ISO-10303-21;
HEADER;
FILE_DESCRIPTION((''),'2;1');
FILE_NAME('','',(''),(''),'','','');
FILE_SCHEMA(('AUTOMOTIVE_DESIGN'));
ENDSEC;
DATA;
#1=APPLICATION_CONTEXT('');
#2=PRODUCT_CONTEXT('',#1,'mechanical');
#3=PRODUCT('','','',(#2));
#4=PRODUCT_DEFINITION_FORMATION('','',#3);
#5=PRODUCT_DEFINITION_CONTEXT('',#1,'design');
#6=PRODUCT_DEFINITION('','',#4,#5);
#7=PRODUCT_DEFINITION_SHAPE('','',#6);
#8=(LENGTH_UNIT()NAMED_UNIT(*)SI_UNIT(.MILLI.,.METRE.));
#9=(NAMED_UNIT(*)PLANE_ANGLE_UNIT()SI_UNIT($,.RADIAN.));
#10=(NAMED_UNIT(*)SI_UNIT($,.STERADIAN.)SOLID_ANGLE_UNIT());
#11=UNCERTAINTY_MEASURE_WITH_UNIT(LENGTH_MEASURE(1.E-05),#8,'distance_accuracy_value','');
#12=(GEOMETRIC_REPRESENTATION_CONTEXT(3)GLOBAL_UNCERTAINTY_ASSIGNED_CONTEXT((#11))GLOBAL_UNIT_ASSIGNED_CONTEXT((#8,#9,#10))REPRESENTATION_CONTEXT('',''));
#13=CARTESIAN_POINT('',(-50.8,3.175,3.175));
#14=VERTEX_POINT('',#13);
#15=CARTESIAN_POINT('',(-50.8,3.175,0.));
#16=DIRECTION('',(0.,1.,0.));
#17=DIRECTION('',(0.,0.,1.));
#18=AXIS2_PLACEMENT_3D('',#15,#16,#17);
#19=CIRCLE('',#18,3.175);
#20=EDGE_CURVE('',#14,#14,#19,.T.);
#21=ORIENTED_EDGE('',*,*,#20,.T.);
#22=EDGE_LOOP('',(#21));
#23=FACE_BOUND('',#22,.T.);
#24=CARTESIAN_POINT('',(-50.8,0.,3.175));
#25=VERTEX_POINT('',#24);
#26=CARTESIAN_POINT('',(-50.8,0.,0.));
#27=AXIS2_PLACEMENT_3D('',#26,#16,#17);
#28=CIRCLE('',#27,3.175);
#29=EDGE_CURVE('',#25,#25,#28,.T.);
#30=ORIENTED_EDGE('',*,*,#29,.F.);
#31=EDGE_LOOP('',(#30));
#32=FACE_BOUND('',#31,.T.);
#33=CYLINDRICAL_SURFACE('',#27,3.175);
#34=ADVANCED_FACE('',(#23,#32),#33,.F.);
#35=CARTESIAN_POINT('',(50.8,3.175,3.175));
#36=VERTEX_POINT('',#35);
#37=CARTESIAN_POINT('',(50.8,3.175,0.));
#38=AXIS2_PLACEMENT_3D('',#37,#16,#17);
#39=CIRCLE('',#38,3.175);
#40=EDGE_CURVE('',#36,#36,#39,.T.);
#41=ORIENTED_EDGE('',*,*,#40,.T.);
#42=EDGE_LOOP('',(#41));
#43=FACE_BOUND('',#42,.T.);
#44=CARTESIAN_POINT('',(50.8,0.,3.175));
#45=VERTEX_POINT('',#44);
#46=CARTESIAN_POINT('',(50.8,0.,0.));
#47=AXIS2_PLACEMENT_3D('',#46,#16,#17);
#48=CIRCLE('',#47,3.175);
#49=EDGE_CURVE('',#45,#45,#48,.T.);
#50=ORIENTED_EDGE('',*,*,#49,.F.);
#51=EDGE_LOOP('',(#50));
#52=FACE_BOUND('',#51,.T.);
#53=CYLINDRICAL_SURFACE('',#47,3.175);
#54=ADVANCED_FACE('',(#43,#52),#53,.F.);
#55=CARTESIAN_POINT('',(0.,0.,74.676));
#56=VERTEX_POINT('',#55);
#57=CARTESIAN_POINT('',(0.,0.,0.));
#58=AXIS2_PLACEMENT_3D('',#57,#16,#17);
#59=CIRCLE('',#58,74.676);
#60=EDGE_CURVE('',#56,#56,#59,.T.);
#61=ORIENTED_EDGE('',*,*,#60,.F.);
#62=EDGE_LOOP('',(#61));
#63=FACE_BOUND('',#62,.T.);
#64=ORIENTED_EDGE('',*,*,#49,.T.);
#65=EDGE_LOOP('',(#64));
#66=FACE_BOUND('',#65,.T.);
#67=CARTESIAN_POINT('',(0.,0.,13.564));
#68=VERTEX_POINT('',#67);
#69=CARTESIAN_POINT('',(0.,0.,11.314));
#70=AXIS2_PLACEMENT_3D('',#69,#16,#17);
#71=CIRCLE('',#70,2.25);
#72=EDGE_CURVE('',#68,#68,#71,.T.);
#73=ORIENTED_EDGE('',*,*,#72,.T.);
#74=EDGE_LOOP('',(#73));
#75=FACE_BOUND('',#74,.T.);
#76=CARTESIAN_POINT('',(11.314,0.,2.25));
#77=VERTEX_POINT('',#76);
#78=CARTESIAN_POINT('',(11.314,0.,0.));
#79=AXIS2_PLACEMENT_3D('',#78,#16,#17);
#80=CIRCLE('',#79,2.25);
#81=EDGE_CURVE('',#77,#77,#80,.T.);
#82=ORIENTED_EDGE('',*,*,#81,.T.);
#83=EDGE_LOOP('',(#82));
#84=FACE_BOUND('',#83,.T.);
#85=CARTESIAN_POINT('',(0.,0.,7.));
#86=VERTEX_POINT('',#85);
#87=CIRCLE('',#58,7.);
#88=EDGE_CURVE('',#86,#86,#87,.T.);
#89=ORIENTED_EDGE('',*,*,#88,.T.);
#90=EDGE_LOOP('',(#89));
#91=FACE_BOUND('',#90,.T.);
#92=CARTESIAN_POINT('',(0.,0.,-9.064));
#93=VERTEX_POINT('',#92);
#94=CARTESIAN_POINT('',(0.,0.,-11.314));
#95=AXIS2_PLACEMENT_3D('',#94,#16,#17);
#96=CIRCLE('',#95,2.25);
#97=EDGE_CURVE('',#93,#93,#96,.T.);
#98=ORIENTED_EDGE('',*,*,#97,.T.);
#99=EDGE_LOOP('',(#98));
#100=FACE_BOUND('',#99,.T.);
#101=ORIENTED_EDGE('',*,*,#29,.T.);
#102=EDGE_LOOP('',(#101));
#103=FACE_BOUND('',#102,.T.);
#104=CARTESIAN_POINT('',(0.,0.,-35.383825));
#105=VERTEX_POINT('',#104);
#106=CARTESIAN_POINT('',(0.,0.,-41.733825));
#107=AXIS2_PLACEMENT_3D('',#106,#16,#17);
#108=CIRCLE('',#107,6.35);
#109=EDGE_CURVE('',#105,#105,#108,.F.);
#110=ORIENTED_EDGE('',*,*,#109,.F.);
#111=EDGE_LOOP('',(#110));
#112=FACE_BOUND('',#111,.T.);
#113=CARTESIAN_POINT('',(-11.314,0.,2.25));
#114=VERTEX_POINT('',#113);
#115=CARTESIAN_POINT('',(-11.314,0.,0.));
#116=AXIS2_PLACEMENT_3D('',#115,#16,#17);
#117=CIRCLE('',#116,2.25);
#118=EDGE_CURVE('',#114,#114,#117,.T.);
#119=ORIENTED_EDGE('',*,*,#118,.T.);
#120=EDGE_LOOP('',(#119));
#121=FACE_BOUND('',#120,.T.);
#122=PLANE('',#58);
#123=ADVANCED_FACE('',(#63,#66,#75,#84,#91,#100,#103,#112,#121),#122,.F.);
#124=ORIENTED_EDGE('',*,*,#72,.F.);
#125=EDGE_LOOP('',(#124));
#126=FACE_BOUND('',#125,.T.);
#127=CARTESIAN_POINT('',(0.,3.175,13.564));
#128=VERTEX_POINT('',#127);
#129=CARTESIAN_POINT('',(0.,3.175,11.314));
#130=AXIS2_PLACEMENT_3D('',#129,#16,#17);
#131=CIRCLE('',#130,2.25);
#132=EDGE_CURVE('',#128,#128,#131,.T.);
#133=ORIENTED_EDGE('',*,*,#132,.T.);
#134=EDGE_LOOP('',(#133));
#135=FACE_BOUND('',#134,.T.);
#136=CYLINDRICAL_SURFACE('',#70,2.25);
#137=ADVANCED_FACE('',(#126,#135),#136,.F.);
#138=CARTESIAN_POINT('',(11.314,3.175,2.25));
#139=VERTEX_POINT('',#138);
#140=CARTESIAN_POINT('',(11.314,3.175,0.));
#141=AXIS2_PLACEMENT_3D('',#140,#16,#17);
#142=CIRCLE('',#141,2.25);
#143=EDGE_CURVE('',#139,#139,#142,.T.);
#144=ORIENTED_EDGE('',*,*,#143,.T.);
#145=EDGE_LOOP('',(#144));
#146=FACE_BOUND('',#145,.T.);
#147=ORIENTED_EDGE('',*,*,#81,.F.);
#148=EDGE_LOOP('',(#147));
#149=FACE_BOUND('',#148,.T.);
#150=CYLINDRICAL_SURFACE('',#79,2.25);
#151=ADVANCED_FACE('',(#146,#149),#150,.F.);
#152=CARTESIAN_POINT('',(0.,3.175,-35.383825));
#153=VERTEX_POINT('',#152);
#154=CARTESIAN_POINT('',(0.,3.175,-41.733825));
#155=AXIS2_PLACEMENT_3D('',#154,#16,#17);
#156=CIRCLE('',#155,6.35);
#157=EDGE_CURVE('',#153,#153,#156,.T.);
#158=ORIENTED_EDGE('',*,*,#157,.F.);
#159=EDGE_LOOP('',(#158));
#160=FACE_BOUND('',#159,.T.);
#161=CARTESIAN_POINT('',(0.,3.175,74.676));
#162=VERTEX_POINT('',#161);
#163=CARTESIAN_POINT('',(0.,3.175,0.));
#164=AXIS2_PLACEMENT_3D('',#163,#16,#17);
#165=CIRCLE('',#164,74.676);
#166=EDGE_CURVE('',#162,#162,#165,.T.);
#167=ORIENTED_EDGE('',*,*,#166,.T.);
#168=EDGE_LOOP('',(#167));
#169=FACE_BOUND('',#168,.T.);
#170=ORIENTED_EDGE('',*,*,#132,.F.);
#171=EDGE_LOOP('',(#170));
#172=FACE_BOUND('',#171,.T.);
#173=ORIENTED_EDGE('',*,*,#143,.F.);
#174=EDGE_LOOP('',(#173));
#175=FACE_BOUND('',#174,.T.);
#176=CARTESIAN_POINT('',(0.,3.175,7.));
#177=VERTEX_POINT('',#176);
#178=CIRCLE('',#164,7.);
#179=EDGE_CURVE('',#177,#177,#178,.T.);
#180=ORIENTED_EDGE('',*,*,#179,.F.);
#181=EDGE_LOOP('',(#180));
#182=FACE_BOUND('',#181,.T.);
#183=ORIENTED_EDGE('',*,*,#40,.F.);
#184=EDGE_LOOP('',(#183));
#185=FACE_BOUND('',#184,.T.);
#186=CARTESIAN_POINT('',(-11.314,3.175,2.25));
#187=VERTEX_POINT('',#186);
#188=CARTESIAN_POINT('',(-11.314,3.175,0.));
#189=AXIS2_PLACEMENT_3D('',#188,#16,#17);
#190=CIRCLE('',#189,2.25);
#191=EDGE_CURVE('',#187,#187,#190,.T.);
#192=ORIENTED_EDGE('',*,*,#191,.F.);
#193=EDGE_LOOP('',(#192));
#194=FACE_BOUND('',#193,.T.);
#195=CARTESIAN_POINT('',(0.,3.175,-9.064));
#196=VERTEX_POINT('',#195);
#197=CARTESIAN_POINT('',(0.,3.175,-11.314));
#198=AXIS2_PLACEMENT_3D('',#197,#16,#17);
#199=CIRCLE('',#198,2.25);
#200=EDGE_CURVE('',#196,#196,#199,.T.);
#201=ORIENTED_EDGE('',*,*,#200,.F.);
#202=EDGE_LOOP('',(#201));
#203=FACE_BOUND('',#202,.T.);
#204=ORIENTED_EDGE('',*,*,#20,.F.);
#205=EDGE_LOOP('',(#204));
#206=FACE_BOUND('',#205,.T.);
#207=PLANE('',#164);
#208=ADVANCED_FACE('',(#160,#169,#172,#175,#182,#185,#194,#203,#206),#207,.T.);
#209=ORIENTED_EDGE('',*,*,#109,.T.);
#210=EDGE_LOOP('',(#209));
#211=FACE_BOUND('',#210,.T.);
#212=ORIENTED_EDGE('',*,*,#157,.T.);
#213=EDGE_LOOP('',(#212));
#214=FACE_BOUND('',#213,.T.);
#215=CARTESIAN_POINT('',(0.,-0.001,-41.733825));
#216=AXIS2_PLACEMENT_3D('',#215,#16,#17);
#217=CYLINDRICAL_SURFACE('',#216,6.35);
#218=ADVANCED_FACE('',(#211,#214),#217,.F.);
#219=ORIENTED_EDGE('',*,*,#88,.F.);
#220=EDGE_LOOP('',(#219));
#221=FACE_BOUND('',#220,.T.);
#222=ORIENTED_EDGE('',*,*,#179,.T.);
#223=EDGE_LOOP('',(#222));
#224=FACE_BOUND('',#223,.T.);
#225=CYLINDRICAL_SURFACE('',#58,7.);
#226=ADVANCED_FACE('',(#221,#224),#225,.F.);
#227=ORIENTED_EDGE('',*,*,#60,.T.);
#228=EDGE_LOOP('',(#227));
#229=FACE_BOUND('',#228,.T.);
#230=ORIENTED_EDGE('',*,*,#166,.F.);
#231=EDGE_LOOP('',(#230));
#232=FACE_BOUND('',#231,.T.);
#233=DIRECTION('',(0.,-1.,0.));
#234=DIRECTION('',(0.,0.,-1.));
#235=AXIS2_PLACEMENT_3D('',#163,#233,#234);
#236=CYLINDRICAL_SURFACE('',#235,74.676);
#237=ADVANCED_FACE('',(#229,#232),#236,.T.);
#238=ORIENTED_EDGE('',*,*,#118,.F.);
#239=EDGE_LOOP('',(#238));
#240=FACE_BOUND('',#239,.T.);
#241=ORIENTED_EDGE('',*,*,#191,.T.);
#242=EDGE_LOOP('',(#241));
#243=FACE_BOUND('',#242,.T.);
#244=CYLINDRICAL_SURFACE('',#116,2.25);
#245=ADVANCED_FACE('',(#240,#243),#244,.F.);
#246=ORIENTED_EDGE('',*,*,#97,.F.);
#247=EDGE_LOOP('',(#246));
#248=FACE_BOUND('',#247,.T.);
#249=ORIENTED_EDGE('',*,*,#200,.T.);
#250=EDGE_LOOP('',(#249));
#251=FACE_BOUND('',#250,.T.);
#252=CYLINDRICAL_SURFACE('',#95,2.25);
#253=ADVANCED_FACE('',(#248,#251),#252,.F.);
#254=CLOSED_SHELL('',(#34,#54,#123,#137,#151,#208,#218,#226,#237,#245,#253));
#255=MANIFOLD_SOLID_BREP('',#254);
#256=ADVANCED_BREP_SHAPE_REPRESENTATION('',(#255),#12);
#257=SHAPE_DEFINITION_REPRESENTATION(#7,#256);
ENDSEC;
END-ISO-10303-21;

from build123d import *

# Parameters (mm, degrees)
SKETCH1_R           = 74.676
BOSS_EXTRUDE1_DEPTH = 3.175
SKETCH2_R           = 7
CUT_EXTRUDE1_DEPTH  = 106.655527906
SKETCH3_R           = 2.25
CUT_EXTRUDE2_DEPTH  = 106.655527906
SKETCH4_R           = 3.175
CUT_EXTRUDE3_DEPTH  = 106.655527906
CUT_EXTRUDE5_REACH  = 107.656
SKETCH6_R           = 6.35


with BuildPart() as part:
    # Sketch1 → Boss-Extrude1 (new body)
    with BuildSketch(Plane(origin=(0, 0, 0), x_dir=(1, 0, 0), z_dir=(0, 1, 0))):
        with Locations(Location((0, 0, 0), (0, 0, 270))):
            Circle(SKETCH1_R)
    extrude(amount=BOSS_EXTRUDE1_DEPTH)

    # Sketch2 → Cut-Extrude1 (cut, through all)
    with BuildSketch(Plane(origin=(0, 3.175, 0), x_dir=(1, 0, 0), z_dir=(0, 1, 0))):
        with Locations(Location((0, 0, 0), (0, 0, 270))):
            Circle(SKETCH2_R)
    extrude(amount=-CUT_EXTRUDE1_DEPTH, mode=Mode.SUBTRACT)

    # Sketch3 → Cut-Extrude2 (cut, through all)
    with BuildSketch(Plane(origin=(0, 3.175, 0), x_dir=(1, 0, 0), z_dir=(0, 1, 0))):
        with Locations(Location((11.314, 0, 0), (0, 0, 270))):
            Circle(SKETCH3_R)
        with Locations(Location((0, -11.314, 0), (0, 0, 270))):
            Circle(SKETCH3_R)
        with Locations(Location((-11.314, 0, 0), (0, 0, 270))):
            Circle(SKETCH3_R)
        with Locations(Location((0, 11.314, 0), (0, 0, 270))):
            Circle(SKETCH3_R)
    extrude(amount=-CUT_EXTRUDE2_DEPTH, mode=Mode.SUBTRACT)

    # Sketch4 → Cut-Extrude3 (cut, through all)
    with BuildSketch(Plane(origin=(0, 3.175, 0), x_dir=(1, 0, 0), z_dir=(0, 1, 0))):
        with Locations(Location((50.8, 0, 0), (0, 0, 270))):
            Circle(SKETCH4_R)
        with Locations(Location((-50.8, 0, 0), (0, 0, 270))):
            Circle(SKETCH4_R)
    extrude(amount=-CUT_EXTRUDE3_DEPTH, mode=Mode.SUBTRACT)

    # Sketch6 → Cut-Extrude5 (cut, up to next)
    with BuildSketch(Plane(origin=(0, 3.175, 0), x_dir=(1, 0, 0), z_dir=(0, 1, 0)), mode=Mode.PRIVATE) as cut_extrude5_sk1:
        with Locations(Location((0, 41.73382544, 0), (0, 0, 270))):
            Circle(SKETCH6_R)
    cut_extrude5_tool1 = extrude(cut_extrude5_sk1.sketch, amount=-CUT_EXTRUDE5_REACH, mode=Mode.PRIVATE) & part.part
    add(cut_extrude5_tool1.solids().sort_by_distance((0, 3.175, -41.733825))[0], mode=Mode.SUBTRACT)


solid = part.part
